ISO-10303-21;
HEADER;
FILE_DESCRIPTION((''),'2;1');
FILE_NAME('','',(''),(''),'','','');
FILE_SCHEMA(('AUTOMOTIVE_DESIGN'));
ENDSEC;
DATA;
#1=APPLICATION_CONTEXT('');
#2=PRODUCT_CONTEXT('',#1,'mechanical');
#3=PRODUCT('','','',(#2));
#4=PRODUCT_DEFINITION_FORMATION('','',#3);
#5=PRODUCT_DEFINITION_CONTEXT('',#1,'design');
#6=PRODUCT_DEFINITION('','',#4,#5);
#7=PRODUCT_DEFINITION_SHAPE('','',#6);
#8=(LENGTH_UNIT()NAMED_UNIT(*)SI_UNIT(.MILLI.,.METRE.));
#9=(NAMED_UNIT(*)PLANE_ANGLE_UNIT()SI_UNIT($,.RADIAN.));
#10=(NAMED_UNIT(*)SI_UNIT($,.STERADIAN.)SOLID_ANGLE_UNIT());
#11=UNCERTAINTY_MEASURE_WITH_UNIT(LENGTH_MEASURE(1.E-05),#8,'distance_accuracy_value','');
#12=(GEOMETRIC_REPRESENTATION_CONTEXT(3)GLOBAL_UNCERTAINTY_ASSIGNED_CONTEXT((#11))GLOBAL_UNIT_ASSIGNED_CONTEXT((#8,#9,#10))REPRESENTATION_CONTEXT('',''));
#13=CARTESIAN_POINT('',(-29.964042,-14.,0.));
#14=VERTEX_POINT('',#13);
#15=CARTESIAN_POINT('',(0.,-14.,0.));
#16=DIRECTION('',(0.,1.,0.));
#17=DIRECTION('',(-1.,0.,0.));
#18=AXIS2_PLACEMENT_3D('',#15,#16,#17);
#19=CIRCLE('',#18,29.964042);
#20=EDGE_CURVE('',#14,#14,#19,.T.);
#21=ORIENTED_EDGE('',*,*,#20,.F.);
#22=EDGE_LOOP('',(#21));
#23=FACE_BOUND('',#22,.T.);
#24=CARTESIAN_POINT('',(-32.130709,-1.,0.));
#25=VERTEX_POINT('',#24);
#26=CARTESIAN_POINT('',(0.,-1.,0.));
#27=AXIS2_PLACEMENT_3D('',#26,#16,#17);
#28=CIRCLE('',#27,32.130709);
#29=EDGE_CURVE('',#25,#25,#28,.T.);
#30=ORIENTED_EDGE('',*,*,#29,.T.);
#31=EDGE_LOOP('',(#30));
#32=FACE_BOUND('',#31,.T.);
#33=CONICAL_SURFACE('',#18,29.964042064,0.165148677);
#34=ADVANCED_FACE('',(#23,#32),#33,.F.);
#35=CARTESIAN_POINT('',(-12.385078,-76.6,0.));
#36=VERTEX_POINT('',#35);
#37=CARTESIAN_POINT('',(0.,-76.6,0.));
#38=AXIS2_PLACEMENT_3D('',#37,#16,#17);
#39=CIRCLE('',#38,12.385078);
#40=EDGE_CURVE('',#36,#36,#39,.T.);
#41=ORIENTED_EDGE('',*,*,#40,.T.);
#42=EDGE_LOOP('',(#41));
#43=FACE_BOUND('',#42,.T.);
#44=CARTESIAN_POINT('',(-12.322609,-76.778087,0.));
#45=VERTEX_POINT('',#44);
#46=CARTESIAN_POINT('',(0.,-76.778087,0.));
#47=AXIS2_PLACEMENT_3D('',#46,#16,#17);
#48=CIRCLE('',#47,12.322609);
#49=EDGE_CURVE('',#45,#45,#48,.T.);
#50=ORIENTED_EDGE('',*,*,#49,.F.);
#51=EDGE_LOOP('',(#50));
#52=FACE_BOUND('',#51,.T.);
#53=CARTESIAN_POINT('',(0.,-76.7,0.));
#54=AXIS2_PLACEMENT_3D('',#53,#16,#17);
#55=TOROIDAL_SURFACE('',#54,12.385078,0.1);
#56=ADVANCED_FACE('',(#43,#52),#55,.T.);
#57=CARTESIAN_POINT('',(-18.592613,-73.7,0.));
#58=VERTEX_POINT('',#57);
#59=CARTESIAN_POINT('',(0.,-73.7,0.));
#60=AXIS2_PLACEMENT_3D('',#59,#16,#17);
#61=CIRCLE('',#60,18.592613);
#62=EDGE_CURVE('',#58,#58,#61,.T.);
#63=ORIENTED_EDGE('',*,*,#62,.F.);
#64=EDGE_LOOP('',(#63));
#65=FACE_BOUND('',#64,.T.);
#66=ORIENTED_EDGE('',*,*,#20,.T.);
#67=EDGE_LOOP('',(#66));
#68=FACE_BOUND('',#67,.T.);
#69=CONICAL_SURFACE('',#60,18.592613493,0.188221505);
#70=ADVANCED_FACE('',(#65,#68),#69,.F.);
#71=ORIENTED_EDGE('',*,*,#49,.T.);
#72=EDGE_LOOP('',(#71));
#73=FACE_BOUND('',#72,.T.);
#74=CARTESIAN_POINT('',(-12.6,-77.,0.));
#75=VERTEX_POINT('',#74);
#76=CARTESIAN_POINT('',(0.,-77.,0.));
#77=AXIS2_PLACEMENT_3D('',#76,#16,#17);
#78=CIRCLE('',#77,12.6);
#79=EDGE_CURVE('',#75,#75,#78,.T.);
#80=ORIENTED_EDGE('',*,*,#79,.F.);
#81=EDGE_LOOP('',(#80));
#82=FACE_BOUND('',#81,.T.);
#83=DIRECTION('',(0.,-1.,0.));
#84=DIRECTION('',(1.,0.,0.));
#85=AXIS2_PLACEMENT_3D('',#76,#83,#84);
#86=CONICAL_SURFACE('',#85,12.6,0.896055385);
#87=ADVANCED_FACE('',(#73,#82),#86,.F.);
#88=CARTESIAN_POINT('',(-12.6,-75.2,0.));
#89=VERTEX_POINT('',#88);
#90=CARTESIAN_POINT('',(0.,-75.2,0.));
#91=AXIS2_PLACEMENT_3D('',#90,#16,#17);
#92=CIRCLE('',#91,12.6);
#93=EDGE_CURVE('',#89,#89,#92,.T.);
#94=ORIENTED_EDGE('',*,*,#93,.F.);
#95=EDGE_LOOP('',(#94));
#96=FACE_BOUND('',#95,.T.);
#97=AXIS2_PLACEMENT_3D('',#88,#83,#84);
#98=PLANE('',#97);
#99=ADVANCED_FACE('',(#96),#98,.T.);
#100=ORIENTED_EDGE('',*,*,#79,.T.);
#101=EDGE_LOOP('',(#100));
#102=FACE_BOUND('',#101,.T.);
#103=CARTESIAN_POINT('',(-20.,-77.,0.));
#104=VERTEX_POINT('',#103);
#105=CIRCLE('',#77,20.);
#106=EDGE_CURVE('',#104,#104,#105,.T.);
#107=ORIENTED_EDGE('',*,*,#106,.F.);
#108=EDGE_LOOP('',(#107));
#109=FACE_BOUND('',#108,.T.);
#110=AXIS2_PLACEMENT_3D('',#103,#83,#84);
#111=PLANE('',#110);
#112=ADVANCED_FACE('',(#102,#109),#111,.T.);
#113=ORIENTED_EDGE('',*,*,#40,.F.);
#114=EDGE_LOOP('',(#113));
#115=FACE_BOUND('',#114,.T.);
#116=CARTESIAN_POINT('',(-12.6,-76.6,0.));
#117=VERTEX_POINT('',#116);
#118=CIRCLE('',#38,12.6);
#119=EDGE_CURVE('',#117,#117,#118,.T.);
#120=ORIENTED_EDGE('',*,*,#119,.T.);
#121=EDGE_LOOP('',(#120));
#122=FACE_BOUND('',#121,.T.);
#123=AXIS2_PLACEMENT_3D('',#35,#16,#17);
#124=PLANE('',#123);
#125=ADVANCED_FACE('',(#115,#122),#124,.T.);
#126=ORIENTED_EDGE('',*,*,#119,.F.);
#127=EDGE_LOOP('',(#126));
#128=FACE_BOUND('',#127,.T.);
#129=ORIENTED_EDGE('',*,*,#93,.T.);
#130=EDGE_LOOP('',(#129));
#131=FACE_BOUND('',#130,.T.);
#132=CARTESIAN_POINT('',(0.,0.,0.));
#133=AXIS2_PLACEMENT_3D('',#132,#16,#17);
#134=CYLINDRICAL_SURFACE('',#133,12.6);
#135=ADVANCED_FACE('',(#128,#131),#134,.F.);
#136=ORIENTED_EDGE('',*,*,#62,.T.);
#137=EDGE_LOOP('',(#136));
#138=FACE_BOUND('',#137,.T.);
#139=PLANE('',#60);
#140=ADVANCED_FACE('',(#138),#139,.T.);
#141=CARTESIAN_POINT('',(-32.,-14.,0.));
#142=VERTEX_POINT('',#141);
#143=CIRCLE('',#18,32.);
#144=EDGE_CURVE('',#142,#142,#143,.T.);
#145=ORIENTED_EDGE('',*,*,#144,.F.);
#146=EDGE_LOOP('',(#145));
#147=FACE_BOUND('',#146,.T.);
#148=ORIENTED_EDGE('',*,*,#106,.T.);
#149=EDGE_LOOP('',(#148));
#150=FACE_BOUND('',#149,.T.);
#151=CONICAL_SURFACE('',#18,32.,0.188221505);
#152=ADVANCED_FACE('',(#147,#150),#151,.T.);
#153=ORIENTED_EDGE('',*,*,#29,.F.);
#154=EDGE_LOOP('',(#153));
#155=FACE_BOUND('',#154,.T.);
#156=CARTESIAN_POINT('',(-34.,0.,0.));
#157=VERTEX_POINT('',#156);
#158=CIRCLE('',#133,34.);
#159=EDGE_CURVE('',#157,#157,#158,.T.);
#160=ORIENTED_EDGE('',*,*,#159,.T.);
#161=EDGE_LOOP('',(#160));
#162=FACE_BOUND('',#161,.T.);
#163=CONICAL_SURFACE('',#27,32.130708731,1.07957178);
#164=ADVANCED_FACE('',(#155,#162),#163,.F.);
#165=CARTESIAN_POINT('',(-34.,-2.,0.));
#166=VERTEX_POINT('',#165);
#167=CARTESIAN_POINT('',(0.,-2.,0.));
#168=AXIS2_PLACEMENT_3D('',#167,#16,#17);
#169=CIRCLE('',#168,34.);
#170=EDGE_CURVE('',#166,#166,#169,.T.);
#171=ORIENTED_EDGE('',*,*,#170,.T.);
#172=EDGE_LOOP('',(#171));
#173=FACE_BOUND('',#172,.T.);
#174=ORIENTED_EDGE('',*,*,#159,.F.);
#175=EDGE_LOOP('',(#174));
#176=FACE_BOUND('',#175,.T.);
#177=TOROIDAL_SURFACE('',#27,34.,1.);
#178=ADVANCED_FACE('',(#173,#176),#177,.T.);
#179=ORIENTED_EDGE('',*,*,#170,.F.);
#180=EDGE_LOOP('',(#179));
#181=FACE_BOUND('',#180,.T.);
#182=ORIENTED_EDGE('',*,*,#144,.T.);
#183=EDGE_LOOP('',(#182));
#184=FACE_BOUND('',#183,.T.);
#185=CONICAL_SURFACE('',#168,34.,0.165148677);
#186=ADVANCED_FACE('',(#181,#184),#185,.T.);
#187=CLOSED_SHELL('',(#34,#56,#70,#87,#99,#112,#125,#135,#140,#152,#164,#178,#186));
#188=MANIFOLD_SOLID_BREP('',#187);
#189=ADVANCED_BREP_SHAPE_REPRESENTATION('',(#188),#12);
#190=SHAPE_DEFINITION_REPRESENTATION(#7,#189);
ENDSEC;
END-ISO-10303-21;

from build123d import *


with BuildPart() as part:
    # Sketch1 → Revolve1 (revolve)
    with BuildSketch(Plane.XY):
        with BuildLine():
            Line((-32.130708731, -1), (-34, 0))
            ThreePointArc((-34, 0), (-35, -1), (-34, -2))
            Line((-34, -2), (-32, -14))
            Line((-32, -14), (-20, -77))
            Line((-20, -77), (-12.6, -77))
            Line((-12.6, -77), (-12.322608601, -76.778086881))
            ThreePointArc((-12.322608601, -76.778086881), (-12.290715274, -76.666899306), (-12.385078106, -76.6))
            Line((-12.385078106, -76.6), (-12.6, -76.6))
            Line((-12.6, -76.6), (-12.6, -75.2))
            Line((-12.6, -75.2), (0, -75.2))
            Line((0, -75.2), (0, -73.7))
            Line((0, -73.7), (-18.592613493, -73.7))
            Line((-18.592613493, -73.7), (-29.964042064, -14))
            Line((-29.964042064, -14), (-32.130708731, -1))
        make_face()
    revolve(axis=Axis((0, 0, 0), (0, -1, 0)))


solid = part.part
